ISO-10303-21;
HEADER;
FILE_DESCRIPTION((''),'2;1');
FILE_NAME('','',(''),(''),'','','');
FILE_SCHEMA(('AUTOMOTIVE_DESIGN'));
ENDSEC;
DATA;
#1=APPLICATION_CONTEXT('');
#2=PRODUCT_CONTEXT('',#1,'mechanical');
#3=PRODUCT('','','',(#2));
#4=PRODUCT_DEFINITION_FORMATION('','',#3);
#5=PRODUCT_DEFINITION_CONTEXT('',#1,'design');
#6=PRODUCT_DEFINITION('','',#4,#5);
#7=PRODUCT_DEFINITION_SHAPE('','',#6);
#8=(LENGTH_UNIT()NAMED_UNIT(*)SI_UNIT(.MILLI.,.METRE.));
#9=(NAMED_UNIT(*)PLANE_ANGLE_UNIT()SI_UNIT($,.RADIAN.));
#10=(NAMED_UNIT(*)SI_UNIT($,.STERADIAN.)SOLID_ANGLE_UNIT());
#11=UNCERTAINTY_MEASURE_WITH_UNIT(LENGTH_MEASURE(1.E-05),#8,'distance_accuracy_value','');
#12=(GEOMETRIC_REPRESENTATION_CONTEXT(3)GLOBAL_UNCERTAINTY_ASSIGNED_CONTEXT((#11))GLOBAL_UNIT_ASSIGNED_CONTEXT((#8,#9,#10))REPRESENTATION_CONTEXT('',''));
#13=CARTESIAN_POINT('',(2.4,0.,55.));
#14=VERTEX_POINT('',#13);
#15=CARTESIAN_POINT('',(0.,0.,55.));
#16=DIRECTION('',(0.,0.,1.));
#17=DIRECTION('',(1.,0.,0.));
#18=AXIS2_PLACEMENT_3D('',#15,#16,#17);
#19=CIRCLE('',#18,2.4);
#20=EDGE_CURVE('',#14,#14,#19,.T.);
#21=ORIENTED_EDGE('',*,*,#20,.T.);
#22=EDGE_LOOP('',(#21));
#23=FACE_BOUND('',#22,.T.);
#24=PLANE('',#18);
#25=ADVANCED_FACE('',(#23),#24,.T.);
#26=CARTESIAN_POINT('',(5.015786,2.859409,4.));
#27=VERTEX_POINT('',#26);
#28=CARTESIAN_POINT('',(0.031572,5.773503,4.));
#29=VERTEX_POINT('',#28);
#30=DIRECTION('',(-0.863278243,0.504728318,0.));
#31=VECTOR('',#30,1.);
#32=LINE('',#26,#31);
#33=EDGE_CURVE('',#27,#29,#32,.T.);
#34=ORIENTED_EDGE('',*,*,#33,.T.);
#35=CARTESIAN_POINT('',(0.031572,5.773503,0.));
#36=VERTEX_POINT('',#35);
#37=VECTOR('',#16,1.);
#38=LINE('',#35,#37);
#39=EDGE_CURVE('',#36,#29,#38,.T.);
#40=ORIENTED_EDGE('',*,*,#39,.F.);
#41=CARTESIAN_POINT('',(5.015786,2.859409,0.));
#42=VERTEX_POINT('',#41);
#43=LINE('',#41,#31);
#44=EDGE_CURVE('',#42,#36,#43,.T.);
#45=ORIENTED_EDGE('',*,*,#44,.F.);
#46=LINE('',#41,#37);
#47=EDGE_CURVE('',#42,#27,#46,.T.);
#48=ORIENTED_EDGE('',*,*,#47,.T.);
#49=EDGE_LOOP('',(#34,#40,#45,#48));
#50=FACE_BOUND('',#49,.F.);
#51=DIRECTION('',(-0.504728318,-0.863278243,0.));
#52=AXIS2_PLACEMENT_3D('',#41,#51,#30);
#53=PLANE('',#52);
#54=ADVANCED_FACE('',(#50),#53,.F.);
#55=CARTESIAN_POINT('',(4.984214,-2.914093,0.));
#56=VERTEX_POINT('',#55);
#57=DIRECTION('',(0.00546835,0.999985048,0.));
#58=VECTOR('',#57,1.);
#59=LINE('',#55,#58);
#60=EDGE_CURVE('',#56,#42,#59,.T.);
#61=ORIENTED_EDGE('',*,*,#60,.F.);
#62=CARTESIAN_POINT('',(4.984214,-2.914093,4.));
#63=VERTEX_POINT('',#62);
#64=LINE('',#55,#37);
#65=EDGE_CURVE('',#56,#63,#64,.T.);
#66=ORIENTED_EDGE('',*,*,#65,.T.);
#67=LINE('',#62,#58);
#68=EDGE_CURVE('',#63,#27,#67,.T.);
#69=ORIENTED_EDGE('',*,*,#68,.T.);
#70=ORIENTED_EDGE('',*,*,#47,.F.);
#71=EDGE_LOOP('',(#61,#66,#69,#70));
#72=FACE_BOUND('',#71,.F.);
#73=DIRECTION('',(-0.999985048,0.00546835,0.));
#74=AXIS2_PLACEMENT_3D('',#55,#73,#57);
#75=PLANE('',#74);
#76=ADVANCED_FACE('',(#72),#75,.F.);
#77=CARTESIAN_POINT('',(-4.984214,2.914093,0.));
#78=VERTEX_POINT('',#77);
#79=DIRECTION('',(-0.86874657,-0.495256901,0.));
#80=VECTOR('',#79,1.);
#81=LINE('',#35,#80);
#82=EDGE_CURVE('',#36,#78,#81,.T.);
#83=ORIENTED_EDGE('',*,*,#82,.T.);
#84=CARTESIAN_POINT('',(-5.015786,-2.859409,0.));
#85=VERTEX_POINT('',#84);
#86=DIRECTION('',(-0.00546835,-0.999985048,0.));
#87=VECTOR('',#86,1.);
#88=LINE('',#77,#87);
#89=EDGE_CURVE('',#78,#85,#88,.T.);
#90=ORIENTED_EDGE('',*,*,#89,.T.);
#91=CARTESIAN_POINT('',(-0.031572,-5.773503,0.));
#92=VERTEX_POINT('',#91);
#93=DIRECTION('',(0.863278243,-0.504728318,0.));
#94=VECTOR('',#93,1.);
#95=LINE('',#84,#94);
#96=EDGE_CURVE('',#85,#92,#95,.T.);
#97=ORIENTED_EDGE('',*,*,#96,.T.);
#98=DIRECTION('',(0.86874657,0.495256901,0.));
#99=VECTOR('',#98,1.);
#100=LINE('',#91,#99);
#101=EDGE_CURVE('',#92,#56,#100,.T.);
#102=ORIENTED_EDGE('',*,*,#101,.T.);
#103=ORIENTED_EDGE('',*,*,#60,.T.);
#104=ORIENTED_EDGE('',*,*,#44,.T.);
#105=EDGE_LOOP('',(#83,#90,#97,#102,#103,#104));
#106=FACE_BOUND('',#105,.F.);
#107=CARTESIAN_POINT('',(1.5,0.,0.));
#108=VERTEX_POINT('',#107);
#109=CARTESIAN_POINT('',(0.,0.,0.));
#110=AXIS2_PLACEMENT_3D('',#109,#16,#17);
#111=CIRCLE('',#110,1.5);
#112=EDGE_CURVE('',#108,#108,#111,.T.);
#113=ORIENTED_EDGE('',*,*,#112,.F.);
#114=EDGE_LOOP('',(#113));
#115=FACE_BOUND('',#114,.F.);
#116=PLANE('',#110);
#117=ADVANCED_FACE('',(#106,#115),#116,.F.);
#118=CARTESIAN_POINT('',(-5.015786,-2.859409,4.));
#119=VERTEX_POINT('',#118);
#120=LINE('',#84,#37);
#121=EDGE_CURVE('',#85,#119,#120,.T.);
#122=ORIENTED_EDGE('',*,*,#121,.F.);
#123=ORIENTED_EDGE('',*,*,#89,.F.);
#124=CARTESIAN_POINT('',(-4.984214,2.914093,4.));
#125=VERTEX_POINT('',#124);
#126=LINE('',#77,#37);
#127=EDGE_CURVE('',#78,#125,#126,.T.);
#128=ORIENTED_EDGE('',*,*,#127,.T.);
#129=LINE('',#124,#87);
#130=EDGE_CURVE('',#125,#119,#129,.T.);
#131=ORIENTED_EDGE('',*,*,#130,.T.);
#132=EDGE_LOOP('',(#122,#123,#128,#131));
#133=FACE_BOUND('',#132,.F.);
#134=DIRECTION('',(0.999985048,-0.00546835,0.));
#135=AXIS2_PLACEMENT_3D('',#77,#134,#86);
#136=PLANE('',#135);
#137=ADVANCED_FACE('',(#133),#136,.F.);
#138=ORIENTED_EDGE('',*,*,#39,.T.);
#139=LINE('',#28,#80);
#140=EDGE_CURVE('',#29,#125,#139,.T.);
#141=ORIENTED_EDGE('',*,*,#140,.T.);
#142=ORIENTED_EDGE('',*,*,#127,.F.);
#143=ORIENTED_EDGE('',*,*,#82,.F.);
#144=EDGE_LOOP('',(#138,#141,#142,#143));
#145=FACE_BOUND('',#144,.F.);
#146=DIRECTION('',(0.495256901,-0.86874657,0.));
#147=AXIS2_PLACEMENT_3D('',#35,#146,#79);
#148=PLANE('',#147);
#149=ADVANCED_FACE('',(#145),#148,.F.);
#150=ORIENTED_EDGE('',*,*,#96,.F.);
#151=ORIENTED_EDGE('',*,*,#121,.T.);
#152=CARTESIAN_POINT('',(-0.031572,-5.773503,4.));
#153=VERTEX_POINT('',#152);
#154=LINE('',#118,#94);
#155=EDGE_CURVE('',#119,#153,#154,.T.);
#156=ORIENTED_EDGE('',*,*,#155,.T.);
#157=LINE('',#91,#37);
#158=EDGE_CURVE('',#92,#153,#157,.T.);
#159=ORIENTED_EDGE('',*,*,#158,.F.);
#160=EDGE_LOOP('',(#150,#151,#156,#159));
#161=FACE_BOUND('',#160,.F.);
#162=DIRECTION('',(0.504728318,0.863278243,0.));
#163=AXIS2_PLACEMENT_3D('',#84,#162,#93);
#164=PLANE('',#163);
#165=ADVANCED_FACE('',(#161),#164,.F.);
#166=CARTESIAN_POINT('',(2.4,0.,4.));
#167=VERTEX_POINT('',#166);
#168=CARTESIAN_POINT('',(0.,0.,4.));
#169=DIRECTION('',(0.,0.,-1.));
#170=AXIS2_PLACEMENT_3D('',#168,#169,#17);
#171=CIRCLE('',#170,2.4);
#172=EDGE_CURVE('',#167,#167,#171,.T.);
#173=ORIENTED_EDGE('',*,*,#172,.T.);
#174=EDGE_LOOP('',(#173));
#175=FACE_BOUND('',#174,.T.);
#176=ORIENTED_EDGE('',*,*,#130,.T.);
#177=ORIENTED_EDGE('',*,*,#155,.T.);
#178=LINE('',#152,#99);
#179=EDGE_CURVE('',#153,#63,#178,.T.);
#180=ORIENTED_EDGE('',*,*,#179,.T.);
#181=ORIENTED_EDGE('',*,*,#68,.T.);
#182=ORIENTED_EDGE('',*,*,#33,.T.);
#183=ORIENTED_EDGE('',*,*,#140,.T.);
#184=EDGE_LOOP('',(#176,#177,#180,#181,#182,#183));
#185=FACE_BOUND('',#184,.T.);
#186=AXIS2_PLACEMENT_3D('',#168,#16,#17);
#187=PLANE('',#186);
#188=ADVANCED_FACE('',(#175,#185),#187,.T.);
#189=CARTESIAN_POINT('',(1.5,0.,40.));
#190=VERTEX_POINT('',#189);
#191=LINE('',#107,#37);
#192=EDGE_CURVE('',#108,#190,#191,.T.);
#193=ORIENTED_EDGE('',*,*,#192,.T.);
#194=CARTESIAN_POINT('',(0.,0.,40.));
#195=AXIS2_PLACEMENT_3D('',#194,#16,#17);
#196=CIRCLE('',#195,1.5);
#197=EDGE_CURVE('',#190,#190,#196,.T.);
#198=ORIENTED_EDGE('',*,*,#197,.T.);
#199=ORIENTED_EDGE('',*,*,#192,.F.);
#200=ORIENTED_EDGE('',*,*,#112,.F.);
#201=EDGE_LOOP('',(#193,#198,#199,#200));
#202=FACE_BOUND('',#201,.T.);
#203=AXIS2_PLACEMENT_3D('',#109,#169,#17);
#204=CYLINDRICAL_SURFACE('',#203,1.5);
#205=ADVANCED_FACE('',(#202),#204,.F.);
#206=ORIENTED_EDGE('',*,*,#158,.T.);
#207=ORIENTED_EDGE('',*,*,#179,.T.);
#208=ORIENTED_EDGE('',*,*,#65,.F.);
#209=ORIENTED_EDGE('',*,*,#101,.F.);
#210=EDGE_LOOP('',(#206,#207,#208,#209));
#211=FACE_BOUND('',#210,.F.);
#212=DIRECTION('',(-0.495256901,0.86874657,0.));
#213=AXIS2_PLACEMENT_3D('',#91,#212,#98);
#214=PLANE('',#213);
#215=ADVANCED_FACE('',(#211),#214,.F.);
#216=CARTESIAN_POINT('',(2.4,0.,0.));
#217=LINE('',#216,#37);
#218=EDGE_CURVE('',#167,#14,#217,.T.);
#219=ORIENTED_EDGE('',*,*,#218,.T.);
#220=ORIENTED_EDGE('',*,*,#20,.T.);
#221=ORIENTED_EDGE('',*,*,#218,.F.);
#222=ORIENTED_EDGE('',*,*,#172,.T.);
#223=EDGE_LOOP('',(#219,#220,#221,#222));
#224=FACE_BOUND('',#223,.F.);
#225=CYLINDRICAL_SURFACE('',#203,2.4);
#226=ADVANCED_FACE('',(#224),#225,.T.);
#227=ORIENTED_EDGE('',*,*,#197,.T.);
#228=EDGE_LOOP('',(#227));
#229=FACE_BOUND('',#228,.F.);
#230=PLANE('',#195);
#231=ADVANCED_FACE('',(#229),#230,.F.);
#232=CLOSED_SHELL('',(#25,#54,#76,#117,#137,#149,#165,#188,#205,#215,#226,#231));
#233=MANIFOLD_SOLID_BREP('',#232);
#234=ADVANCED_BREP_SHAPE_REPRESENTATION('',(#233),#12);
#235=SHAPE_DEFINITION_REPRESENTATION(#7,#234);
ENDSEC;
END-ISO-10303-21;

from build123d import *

# Parameters (mm, degrees)
F1_DEPTH = 4
F2_R     = 2.4
F3_DEPTH = 55
F4_R     = 1.5
F5_DEPTH = 40


with BuildPart() as f1:
    # F0 (on Top) → F1 (new body)
    with BuildSketch(Plane.XY):
        Polygon((-0.031572, -5.773503), (4.984214, -2.914093), (5.015786, 2.859409), (0.031572, 5.773503), (-4.984214, 2.914093), (-5.015786, -2.859409), align=None)
    extrude(amount=F1_DEPTH)

    # F2 (on face) → F3 (join)
    with BuildSketch(Plane.XY):
        Circle(F2_R)
    extrude(amount=F3_DEPTH)

    # F4 (on Top) → F5 (cut)
    with BuildSketch(Plane.XY):
        Circle(F4_R)
    extrude(amount=F5_DEPTH, mode=Mode.SUBTRACT)


solid = f1.part
